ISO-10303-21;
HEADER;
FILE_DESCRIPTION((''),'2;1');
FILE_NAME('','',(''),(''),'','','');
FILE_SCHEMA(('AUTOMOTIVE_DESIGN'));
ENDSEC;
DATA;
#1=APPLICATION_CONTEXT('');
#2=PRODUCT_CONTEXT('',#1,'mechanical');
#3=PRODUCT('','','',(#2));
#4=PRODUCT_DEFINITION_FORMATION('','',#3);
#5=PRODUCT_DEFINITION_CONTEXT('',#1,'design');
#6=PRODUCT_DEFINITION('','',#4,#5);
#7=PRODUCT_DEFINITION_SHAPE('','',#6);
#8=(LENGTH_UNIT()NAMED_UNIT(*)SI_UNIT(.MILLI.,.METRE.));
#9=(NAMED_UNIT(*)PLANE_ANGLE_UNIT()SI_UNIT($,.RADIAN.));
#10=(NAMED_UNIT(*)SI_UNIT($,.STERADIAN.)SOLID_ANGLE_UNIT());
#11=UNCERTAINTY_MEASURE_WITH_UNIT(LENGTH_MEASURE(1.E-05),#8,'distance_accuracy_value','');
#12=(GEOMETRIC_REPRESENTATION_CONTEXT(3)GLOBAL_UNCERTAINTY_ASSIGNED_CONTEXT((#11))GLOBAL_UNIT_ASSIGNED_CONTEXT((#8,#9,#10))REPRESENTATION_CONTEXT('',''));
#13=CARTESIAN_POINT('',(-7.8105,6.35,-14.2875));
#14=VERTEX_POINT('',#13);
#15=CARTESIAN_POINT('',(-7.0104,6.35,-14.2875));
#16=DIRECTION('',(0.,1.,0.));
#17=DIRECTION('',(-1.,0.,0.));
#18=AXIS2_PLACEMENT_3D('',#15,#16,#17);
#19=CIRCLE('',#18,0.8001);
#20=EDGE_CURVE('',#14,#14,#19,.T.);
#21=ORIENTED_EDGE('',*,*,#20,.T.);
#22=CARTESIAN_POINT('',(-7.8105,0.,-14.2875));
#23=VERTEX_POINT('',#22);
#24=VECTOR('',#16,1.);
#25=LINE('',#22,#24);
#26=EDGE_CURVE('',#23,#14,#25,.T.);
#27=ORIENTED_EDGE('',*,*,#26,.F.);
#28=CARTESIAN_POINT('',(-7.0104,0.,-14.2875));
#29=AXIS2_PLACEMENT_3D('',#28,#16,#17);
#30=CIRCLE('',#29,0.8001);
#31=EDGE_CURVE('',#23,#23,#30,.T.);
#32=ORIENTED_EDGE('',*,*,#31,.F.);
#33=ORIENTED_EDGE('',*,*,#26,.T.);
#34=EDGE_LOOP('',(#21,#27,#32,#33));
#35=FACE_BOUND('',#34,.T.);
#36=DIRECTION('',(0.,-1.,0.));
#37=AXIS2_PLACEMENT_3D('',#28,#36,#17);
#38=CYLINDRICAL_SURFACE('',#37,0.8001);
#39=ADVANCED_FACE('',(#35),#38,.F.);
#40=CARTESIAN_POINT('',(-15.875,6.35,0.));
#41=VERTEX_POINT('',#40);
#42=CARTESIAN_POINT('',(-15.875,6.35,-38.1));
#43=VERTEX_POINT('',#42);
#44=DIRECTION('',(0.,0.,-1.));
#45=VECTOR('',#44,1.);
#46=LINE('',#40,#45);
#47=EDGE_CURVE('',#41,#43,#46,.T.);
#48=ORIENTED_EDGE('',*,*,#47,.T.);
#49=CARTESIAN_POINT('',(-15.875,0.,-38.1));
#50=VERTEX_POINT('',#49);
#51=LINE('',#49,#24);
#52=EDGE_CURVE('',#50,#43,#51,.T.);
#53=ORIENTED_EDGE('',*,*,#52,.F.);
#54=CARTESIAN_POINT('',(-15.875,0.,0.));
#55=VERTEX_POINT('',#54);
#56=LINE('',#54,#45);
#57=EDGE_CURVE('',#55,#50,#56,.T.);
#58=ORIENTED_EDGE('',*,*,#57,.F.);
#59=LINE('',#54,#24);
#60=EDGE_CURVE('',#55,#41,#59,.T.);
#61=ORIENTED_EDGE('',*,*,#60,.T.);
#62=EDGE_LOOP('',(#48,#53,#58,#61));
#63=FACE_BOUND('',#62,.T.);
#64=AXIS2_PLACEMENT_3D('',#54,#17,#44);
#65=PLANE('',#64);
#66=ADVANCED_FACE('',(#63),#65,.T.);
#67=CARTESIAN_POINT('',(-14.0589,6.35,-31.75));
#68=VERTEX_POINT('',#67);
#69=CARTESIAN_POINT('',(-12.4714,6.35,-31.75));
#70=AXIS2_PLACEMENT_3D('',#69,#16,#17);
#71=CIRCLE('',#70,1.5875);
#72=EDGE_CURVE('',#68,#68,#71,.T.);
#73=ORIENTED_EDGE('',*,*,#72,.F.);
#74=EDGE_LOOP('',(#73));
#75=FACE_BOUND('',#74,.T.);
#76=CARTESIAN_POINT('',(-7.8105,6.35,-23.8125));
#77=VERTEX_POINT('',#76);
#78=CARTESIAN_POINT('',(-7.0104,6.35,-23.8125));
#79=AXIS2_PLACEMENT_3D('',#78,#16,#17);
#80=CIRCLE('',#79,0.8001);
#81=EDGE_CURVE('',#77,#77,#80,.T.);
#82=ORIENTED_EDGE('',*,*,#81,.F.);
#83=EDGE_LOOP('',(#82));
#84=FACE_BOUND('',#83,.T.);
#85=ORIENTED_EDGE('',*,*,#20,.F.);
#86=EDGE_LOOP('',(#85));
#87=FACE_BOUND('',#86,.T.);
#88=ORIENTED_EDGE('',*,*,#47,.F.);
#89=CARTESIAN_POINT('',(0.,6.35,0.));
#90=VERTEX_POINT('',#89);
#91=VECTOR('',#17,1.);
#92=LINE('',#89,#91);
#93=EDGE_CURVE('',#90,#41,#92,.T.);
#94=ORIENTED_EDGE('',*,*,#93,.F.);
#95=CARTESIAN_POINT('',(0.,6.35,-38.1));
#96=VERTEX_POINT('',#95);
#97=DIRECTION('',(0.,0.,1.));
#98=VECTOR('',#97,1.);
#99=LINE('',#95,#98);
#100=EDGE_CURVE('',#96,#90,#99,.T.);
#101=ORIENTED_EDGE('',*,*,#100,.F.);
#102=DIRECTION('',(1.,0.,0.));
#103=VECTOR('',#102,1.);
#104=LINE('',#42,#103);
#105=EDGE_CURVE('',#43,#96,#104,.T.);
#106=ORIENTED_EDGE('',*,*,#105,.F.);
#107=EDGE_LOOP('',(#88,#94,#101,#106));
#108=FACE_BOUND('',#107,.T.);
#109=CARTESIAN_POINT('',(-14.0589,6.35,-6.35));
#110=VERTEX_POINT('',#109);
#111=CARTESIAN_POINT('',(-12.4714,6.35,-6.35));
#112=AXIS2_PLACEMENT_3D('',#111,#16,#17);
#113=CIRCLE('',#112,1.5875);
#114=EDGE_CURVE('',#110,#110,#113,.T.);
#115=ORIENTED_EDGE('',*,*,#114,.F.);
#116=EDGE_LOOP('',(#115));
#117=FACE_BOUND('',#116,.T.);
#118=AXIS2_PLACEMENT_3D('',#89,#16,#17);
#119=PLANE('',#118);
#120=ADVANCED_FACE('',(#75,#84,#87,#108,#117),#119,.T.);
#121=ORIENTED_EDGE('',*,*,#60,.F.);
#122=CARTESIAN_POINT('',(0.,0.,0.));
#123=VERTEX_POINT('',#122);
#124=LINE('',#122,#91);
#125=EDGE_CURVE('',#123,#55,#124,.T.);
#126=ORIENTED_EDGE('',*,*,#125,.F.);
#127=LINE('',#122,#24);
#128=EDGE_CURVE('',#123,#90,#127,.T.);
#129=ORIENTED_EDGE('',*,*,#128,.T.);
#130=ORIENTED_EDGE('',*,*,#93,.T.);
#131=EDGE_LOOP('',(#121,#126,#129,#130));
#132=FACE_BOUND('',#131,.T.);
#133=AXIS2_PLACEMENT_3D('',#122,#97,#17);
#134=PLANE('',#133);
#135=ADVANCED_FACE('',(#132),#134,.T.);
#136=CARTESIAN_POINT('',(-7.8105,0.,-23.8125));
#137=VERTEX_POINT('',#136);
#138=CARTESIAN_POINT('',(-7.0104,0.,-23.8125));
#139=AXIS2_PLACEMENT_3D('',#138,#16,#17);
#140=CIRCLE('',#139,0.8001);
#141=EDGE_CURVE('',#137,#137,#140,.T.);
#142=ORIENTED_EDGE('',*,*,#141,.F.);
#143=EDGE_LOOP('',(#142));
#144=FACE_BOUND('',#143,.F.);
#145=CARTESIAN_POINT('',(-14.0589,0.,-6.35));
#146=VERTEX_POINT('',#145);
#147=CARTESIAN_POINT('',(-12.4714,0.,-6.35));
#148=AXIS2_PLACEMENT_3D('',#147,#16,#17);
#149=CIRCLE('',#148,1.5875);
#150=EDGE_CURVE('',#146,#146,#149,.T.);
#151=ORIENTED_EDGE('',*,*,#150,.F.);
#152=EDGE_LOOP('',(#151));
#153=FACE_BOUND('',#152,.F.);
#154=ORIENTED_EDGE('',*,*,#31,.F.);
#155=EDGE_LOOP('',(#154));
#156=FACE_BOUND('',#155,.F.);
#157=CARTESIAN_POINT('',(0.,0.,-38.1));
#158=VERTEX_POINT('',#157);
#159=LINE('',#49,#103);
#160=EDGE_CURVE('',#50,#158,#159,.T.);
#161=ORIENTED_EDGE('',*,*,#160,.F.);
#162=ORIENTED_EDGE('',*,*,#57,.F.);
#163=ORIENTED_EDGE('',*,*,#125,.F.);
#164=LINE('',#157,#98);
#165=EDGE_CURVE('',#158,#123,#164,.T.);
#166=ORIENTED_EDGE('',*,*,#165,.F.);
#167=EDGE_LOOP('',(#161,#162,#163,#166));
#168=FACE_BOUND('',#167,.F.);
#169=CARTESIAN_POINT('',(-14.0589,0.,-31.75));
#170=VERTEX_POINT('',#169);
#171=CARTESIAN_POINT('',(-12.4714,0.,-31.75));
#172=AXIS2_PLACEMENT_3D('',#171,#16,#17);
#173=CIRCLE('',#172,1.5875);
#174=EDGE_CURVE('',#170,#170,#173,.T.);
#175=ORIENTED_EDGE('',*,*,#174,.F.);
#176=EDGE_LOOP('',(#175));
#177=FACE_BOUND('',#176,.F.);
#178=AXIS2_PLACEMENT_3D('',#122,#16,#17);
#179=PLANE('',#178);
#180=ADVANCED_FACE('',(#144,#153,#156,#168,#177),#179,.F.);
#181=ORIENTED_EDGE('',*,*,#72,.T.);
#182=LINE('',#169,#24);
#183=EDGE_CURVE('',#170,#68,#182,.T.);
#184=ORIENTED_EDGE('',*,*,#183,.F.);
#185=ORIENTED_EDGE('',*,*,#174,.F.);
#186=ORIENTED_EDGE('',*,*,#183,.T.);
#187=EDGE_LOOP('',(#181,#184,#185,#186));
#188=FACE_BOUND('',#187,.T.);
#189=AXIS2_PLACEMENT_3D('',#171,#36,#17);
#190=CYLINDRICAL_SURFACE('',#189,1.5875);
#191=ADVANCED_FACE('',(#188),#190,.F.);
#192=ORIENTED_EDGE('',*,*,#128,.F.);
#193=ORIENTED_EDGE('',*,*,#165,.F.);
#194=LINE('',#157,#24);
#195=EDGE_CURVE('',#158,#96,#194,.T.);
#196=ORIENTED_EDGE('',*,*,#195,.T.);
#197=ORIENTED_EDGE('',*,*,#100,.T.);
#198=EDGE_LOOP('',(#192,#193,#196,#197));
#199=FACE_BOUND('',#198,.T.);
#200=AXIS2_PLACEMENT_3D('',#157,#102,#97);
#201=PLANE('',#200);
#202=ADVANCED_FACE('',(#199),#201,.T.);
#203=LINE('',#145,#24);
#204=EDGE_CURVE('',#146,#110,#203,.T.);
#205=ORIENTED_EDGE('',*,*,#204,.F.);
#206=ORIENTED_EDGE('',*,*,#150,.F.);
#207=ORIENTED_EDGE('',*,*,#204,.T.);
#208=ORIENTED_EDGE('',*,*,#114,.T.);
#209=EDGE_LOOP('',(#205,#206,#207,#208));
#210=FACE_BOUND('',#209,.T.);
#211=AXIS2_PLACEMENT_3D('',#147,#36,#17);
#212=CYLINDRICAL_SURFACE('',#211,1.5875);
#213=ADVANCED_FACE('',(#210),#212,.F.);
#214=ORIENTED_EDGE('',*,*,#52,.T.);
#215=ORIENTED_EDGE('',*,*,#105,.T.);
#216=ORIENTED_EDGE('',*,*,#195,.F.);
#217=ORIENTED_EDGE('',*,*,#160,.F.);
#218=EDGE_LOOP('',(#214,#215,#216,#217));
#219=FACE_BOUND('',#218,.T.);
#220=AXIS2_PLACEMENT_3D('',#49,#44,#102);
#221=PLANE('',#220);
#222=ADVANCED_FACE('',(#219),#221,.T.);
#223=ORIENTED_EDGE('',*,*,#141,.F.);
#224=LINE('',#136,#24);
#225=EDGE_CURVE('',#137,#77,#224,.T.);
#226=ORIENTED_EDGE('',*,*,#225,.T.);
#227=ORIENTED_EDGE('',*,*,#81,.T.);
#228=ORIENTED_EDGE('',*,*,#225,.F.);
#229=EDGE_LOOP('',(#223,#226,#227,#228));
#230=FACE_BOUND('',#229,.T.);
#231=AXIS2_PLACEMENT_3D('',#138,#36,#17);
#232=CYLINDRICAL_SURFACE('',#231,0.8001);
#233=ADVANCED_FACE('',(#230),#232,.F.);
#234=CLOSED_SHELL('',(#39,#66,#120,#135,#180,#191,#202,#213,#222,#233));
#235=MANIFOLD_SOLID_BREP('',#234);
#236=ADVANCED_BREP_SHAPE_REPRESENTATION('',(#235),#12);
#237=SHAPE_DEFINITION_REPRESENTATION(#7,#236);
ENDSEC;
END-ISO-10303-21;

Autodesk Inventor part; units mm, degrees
ref_plane "YZ Plane" through (0, 0, 0) normal (1, 0, 0) x (0, 1, 0)
ref_plane "XZ Plane" through (0, 0, 0) normal (0, 1, 0) x (-1, 0, 0)
ref_plane "XY Plane" through (0, 0, 0) normal (0, 0, 1) x (1, 0, 0)
sketch "Sketch1" plane through (0, 0, 0) normal (0, 1, 0) x (-1, 0, 0)
  line L0 (0, 0) -> (15.875, 0)
  line L1 (15.875, 0) -> (15.875, -38.1)
  line L2 (15.875, -38.1) -> (0, -38.1)
  line L3 (0, -38.1) -> (0, 0)
  line L4 (0, -19.05) -> (7.6962, -19.05) construction
  line L5 (7.6962, -19.05) -> (12.4714, -19.05) construction
  line L6 (12.4714, -19.05) -> (12.4714, -31.75) construction
  circle A0 centre (12.4714, -31.75) radius 1.5875
  line L7 (7.6962, -19.05) -> (7.0104, -19.05) construction
  line L8 (7.0104, -19.05) -> (7.0104, -23.8125) construction
  circle A1 centre (7.0104, -23.8125) radius 0.8001
  circle A2 centre (12.4714, -6.35) radius 1.5875
  circle A3 centre (7.0104, -14.2875) radius 0.8001
  dimension "d0" = 15.875
  dimension "d1" = 38.1
  dimension "d2" = 7.6962
  dimension "d3" = 4.7752
  dimension "d4" = 12.7
  dimension "d5" = 3.175
  dimension "d7" = 4.7625
  dimension "d8" = 1.6002
  dimension "d11" = 7.0104
extrude "Extrusion1" add sketch "Sketch1" along normal blind 6.35
properties part number "limitSwitchMount"
